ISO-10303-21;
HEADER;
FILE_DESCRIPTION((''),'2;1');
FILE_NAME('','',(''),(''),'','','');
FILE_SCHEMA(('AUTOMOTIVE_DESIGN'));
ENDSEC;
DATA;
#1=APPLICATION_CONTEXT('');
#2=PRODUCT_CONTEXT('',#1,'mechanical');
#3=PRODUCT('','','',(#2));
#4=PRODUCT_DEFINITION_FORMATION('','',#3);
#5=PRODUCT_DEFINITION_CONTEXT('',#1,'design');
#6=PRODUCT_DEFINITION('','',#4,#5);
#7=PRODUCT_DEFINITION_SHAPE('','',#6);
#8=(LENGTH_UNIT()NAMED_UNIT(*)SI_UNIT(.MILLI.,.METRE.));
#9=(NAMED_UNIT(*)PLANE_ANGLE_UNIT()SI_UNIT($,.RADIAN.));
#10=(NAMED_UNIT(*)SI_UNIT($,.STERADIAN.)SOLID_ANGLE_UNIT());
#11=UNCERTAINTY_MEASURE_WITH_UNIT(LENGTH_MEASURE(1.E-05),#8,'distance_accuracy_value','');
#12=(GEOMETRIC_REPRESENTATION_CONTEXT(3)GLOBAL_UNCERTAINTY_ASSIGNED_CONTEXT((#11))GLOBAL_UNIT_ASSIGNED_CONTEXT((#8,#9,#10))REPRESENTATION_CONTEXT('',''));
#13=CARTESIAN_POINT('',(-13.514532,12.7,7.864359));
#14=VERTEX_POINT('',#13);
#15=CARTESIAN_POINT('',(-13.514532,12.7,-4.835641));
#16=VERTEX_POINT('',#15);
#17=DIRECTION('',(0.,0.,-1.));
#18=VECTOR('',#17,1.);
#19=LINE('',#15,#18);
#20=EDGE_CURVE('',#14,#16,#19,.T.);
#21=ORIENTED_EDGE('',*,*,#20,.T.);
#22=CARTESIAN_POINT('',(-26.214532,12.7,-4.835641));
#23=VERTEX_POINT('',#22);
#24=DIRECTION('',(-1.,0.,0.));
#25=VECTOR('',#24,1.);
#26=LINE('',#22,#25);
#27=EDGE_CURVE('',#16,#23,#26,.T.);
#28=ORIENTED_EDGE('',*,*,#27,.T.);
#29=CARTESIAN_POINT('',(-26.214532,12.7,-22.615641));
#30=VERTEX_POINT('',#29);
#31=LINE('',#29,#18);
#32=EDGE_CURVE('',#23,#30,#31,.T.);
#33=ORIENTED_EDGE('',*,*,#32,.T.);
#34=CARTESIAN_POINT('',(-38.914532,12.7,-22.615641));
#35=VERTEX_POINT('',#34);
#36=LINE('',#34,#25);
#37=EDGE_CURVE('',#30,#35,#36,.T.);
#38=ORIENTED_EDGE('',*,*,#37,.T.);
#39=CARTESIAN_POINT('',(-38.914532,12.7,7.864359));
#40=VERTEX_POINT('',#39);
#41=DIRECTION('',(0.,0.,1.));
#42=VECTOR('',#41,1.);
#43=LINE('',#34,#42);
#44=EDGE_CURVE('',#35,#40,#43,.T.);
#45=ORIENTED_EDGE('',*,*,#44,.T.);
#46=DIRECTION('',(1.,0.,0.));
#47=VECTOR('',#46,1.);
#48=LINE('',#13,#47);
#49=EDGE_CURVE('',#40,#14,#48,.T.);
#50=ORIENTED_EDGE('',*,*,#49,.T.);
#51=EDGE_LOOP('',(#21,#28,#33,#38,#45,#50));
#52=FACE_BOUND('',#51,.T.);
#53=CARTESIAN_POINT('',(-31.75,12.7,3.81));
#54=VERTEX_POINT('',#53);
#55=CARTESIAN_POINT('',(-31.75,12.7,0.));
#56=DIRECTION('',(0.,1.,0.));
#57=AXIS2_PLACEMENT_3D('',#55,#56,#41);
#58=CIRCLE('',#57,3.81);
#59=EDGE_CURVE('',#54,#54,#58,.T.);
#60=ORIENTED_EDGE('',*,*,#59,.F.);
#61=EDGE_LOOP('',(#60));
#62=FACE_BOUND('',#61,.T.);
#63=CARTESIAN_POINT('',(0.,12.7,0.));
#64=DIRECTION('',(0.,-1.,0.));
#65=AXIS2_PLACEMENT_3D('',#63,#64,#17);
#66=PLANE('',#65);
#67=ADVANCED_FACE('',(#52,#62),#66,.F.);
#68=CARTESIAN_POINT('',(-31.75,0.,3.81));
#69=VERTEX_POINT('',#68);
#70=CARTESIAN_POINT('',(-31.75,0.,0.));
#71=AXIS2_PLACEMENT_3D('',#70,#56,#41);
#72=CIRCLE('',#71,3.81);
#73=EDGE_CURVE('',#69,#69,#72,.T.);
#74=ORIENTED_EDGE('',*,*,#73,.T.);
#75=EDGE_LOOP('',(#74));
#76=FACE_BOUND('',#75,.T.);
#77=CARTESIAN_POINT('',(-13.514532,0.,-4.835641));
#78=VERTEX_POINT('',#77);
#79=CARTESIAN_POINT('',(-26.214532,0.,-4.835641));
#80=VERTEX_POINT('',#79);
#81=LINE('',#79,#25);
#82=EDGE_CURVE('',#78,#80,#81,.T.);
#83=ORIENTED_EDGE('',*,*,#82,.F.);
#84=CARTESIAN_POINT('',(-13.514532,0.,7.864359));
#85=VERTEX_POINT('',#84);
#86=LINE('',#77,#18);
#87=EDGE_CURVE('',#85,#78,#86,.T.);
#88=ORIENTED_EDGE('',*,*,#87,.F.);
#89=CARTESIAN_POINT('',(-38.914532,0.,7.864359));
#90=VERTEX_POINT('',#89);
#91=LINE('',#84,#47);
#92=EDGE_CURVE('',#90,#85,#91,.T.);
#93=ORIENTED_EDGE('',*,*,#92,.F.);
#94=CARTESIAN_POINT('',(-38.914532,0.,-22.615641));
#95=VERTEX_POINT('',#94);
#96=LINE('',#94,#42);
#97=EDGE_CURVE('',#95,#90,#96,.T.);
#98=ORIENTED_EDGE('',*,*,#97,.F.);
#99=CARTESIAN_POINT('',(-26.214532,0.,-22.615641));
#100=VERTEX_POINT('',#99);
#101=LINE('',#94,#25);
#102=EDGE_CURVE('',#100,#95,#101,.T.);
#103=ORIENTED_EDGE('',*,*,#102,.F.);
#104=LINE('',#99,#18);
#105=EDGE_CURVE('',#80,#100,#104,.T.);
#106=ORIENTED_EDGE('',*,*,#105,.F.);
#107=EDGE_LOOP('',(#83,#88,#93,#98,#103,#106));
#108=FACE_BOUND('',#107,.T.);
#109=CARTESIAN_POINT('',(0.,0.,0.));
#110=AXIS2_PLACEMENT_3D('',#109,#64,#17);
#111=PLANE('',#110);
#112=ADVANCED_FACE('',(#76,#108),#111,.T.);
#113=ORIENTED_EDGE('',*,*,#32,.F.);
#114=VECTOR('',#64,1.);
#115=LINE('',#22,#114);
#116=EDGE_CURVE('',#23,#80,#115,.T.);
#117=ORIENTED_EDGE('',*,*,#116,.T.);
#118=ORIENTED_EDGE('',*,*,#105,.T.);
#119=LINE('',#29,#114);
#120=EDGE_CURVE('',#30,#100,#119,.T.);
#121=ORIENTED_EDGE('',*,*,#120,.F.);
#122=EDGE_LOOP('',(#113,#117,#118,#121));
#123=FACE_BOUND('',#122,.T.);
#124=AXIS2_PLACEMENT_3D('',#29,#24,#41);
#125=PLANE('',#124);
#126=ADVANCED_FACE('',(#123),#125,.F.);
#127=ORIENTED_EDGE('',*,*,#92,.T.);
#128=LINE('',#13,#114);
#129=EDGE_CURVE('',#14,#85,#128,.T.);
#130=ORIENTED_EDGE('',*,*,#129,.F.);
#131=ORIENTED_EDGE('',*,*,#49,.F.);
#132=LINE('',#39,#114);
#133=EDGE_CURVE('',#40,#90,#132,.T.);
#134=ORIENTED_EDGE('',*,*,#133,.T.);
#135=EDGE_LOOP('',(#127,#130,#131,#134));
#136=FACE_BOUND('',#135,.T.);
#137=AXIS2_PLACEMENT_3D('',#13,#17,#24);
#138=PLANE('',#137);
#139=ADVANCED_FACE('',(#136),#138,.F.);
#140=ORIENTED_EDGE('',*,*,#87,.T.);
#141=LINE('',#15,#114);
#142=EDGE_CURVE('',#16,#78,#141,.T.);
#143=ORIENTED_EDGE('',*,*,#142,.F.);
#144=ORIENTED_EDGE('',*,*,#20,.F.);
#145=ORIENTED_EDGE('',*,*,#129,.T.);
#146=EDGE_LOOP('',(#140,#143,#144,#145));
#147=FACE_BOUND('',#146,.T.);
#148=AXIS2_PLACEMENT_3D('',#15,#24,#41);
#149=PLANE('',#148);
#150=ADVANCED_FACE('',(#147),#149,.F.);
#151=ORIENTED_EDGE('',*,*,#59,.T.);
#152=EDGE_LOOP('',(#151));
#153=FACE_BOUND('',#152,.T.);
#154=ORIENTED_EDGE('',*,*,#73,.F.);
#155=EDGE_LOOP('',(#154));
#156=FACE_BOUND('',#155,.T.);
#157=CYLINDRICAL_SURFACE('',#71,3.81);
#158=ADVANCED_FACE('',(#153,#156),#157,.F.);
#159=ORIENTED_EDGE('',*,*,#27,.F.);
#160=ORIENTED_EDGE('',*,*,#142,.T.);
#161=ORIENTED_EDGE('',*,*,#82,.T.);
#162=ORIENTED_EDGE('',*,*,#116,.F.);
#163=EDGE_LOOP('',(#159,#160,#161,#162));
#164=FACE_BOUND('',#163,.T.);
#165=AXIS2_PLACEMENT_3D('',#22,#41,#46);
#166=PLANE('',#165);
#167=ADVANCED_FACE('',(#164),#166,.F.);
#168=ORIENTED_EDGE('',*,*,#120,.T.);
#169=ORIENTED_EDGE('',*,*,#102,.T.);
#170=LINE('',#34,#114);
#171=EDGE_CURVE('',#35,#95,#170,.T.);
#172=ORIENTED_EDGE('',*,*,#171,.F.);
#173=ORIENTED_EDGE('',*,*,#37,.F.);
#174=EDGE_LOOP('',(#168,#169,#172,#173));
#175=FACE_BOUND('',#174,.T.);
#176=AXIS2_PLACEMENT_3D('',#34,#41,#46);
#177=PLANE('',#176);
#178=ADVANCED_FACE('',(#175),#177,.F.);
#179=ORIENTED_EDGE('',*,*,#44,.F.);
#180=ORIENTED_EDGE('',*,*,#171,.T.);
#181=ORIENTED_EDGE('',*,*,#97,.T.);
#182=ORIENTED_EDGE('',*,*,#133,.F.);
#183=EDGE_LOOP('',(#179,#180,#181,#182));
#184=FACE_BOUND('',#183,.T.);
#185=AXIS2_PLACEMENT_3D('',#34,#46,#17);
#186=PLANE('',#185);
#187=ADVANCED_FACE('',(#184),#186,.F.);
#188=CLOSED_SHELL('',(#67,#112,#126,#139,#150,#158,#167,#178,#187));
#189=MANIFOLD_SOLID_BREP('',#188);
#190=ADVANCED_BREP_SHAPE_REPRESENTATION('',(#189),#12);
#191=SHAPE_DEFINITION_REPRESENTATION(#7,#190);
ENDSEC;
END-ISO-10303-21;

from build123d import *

# Parameters (mm, degrees)
BOSS_EXTRUDE1_DEPTH = 12.7
SKETCH2_R           = 3.81
CUT_EXTRUDE1_DEPTH  = 47.766419161


with BuildPart() as part:
    # Sketch1 → Boss-Extrude1 (new body)
    with BuildSketch(Plane(origin=(0, 0, 0), x_dir=(1, 0, 0), z_dir=(0, 1, 0))):
        Polygon((-38.914531528, 22.615640542), (-38.914531528, -7.864359458), (-13.514531528, -7.864359458), (-13.514531528, 4.835640542), (-26.214531528, 4.835640542), (-26.214531528, 22.615640542), align=None)
    extrude(amount=BOSS_EXTRUDE1_DEPTH)

    # Sketch2 → Cut-Extrude1 (cut, through all)
    with BuildSketch(Plane(origin=(0, 12.7, 0), x_dir=(1, 0, 0), z_dir=(0, 1, 0))):
        with Locations(Location((-31.75, 0, 0), (0, 0, 270))):
            Circle(SKETCH2_R)
    extrude(amount=-CUT_EXTRUDE1_DEPTH, mode=Mode.SUBTRACT)


solid = part.part
